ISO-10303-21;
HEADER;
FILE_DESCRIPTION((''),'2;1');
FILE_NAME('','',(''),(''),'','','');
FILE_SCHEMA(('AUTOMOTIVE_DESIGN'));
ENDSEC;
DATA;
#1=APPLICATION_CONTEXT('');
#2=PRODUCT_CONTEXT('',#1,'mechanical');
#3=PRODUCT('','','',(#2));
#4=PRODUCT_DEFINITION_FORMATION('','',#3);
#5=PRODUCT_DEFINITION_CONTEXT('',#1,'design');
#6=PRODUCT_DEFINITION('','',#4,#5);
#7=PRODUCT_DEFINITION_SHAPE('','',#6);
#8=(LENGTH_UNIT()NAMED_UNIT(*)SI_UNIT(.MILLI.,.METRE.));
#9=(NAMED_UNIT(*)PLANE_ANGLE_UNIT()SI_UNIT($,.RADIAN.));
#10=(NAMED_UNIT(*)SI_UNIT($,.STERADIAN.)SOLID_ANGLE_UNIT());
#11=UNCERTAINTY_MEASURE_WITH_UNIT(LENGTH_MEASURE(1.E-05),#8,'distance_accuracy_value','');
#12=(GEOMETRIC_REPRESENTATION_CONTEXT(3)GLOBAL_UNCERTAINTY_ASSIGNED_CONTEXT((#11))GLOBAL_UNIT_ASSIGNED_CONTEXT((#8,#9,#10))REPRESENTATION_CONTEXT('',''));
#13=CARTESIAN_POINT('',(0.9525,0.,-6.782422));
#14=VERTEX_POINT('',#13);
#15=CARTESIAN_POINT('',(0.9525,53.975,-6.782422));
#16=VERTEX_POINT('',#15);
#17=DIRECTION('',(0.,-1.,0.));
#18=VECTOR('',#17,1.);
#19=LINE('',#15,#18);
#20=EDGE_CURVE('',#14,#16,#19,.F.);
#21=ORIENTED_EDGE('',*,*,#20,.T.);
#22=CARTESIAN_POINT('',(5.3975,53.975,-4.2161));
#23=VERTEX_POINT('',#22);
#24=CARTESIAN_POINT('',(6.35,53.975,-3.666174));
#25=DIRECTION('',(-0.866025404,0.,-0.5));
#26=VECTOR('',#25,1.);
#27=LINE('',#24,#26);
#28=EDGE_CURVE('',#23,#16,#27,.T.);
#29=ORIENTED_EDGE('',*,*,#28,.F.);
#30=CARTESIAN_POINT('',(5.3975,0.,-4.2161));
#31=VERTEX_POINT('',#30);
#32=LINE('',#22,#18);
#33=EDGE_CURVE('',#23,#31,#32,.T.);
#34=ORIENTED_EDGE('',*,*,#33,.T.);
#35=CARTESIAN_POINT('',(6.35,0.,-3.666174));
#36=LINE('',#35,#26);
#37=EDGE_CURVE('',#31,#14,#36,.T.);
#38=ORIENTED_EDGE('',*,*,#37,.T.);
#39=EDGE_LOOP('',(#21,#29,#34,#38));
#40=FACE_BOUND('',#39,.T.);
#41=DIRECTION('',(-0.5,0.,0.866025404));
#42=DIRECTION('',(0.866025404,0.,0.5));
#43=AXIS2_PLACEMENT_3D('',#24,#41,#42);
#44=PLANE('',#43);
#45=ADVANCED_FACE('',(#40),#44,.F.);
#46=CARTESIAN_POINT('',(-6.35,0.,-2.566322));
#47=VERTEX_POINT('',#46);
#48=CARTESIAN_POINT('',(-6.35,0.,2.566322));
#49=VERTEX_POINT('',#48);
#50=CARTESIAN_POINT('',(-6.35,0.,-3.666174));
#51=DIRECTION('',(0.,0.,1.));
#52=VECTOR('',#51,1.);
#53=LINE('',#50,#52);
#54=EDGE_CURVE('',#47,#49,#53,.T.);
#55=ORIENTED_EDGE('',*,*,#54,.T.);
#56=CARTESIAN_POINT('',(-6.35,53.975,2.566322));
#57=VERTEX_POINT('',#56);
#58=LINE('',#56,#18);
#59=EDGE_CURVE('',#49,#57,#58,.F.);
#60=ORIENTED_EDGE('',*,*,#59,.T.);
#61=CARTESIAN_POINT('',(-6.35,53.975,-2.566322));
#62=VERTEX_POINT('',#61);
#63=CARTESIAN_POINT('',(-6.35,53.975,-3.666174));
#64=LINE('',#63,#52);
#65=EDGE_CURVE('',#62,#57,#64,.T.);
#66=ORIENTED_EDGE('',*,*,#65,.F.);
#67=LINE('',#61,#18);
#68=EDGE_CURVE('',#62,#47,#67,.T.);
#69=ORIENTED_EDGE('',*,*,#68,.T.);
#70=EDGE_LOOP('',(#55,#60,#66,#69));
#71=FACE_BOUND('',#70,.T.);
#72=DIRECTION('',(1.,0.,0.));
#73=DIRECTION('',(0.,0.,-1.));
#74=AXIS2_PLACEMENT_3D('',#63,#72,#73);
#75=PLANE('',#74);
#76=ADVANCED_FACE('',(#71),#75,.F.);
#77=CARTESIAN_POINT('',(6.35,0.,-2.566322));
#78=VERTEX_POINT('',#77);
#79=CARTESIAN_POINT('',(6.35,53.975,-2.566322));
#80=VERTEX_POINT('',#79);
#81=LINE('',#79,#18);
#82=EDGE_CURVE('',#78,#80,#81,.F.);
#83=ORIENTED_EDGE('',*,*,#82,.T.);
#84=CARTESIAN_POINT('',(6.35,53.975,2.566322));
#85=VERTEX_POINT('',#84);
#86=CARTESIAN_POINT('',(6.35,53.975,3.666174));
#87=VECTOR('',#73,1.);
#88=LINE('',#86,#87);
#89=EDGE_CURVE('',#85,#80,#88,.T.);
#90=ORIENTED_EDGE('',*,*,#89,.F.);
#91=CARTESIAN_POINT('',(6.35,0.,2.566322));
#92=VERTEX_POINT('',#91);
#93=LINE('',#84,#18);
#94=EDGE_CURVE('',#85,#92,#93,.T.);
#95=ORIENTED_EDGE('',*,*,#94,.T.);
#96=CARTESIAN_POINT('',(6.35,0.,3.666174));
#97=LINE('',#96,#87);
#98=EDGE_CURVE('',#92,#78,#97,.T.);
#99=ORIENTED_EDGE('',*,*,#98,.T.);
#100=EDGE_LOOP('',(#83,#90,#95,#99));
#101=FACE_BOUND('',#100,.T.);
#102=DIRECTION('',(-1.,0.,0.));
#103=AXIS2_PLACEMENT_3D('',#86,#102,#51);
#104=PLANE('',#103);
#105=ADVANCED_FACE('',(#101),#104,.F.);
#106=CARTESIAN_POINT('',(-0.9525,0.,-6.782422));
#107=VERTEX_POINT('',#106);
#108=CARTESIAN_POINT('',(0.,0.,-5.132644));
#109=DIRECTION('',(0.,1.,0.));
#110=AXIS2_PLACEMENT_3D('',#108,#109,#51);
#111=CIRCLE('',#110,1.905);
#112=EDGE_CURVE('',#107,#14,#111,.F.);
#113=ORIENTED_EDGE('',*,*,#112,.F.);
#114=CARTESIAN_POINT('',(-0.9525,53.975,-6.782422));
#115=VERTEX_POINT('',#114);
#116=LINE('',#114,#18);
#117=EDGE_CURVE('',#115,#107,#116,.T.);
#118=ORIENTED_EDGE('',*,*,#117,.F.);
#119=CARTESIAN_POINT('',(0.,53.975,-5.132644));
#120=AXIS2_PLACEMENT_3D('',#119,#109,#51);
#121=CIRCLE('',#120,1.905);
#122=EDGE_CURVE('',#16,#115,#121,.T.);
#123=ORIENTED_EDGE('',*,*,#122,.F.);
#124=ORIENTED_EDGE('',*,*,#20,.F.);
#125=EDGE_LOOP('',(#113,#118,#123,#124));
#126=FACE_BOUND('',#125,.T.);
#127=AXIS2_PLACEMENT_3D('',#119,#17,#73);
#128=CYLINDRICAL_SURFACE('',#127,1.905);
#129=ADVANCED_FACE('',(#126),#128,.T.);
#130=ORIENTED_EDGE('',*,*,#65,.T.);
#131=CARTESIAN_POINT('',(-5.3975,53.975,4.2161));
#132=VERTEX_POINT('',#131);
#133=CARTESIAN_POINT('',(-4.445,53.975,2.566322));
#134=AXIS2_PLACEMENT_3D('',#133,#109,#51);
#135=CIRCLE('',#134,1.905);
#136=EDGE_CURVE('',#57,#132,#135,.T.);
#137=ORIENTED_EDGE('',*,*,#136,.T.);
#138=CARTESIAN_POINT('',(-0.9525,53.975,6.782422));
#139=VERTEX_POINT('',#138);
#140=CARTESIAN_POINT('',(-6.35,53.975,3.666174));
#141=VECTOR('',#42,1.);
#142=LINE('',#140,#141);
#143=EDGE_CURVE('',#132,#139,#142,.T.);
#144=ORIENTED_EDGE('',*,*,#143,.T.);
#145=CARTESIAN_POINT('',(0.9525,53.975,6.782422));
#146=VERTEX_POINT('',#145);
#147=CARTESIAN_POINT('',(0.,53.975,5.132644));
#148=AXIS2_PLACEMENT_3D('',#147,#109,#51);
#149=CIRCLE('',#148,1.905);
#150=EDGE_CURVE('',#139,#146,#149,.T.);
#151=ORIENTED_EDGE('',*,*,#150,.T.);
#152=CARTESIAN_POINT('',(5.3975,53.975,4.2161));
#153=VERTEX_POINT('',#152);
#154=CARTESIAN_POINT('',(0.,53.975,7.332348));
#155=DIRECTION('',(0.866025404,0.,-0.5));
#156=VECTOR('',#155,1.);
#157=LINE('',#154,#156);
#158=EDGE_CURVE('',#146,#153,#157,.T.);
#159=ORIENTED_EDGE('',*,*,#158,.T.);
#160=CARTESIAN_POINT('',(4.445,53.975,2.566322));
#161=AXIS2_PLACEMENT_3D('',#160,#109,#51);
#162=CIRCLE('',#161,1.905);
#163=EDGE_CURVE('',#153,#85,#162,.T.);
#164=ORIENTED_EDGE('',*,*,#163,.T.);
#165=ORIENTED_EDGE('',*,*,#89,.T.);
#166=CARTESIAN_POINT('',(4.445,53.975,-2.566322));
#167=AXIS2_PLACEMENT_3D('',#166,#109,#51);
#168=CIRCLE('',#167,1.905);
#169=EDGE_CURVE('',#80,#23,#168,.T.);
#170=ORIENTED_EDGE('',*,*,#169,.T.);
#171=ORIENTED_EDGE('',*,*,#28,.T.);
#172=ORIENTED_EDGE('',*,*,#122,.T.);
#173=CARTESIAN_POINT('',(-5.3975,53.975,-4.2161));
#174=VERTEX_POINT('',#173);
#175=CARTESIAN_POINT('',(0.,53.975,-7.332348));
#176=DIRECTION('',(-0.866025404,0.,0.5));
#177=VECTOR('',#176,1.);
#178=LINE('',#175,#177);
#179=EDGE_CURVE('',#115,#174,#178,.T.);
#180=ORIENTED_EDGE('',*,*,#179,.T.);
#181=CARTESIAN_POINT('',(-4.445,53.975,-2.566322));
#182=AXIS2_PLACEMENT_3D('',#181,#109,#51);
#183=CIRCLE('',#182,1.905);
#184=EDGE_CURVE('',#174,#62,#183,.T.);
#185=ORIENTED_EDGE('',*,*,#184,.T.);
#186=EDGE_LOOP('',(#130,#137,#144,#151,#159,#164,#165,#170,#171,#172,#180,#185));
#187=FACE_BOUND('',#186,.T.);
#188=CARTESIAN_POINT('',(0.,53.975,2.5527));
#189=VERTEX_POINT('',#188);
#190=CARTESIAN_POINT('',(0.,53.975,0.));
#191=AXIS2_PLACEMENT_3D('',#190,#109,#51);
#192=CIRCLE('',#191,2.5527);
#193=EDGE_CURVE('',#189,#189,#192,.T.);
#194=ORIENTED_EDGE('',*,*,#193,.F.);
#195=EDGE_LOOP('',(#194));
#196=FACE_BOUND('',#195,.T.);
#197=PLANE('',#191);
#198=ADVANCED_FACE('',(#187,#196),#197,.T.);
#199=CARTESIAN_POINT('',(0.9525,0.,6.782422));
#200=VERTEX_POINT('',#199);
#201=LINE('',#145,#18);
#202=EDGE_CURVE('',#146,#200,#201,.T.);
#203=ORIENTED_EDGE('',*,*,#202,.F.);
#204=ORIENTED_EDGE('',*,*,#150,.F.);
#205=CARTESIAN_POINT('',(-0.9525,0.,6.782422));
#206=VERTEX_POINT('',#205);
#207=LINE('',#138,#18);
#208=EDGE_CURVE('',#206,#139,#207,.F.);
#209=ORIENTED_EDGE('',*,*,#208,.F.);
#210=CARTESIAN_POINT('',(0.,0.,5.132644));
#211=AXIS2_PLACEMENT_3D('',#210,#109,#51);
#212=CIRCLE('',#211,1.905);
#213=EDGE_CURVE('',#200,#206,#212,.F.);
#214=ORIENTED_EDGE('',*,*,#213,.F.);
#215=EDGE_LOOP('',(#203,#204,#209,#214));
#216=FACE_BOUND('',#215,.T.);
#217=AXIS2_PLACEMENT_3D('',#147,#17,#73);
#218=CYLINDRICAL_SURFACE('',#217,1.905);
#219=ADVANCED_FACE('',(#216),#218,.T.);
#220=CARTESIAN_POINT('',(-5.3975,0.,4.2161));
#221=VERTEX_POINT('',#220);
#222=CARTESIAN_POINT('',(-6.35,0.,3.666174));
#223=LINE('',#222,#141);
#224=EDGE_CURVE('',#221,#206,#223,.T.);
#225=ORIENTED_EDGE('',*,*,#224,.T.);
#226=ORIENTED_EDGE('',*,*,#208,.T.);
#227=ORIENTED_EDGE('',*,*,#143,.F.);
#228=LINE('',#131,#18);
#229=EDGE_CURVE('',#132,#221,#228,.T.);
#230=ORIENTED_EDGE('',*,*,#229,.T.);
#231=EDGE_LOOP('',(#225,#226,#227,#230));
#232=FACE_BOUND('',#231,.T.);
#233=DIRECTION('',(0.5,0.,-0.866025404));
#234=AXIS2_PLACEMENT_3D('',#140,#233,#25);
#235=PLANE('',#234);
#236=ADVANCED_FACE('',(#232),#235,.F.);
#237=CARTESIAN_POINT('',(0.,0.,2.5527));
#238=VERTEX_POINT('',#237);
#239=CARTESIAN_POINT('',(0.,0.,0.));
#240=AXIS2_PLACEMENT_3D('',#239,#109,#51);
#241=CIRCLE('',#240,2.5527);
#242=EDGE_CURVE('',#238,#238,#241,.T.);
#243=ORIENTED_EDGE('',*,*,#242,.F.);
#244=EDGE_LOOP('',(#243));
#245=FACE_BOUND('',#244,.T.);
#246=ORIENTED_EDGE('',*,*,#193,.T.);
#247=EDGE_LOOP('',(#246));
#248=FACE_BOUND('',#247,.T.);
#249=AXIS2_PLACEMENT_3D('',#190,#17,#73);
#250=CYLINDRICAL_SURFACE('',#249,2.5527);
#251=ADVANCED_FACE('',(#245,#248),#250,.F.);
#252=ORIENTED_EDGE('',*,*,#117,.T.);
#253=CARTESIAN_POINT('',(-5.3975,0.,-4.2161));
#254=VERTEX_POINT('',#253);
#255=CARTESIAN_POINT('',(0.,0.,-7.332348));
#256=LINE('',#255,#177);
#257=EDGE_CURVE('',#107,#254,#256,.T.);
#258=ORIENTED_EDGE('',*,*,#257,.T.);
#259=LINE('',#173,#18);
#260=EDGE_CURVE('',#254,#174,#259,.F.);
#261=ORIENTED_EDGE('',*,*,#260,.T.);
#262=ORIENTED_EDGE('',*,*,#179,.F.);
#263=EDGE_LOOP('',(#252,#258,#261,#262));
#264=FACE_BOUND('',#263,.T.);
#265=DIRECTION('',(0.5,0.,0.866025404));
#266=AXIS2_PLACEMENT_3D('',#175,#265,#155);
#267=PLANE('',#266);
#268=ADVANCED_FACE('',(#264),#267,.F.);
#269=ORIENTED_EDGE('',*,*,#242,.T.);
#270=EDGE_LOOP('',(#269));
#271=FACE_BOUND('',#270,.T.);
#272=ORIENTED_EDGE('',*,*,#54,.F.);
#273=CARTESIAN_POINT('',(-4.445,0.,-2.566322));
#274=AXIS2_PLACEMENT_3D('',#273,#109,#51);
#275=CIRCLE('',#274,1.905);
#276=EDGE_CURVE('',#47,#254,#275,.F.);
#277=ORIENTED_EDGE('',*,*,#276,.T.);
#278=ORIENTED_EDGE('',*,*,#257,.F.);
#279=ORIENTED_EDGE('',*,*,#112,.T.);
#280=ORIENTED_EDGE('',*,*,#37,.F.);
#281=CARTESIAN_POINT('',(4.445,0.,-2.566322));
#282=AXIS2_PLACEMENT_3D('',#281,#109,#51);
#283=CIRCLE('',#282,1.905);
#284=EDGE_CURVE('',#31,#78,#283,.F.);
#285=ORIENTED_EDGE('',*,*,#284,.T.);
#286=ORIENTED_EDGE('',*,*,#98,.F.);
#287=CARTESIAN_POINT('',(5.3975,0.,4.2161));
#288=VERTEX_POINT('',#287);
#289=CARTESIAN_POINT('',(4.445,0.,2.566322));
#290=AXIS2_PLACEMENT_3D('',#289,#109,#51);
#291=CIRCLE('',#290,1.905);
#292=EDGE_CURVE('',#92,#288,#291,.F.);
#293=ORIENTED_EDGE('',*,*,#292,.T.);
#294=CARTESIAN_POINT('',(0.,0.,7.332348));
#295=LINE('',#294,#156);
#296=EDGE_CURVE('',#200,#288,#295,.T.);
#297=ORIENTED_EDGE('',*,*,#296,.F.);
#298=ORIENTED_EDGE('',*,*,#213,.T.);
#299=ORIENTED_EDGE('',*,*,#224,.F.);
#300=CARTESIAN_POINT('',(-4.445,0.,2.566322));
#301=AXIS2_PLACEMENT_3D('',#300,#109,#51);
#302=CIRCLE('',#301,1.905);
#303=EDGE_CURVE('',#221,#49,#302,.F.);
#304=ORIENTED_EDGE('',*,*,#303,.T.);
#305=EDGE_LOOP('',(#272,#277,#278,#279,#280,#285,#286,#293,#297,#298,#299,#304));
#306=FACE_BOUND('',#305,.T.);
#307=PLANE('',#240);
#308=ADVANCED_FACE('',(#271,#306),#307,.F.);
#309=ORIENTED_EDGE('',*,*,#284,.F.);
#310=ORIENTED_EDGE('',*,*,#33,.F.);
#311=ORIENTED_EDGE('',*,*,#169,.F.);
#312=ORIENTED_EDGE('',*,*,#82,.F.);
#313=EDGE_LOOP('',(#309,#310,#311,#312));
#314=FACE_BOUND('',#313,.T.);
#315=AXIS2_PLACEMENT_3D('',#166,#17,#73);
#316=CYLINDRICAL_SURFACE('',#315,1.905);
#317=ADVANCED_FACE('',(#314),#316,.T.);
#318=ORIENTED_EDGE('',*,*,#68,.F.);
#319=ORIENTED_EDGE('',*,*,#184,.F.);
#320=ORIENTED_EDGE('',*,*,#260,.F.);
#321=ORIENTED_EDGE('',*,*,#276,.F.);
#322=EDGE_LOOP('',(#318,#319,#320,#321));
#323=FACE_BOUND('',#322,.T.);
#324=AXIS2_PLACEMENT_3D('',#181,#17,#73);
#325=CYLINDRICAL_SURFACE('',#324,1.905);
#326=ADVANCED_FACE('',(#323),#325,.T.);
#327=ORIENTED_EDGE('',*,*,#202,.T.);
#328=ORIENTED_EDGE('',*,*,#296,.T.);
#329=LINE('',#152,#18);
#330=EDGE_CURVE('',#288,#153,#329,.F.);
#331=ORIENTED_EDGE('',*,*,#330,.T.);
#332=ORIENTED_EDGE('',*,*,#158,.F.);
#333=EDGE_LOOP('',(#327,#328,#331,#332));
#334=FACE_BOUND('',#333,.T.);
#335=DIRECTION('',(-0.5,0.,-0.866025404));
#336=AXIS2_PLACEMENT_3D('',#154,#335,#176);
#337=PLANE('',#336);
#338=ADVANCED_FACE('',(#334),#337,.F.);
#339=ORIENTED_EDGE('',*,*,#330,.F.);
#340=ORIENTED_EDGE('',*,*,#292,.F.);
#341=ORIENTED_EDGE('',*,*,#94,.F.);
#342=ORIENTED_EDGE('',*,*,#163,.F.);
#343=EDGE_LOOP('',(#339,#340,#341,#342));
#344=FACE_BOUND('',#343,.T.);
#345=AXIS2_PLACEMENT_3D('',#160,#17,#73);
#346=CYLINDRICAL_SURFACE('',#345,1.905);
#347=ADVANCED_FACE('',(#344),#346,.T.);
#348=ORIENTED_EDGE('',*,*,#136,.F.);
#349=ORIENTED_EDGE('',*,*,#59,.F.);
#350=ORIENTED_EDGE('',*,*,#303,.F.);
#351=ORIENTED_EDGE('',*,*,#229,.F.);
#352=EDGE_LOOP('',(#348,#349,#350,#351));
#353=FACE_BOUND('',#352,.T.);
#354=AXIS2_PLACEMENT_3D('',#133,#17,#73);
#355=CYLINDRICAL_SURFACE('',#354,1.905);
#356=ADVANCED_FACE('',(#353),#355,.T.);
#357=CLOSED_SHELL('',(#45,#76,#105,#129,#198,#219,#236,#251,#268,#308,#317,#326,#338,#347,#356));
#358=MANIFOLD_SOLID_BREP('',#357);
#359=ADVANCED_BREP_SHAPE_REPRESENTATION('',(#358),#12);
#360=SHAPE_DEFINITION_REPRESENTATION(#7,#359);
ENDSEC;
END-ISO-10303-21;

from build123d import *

# Parameters (mm, degrees)
SKETCH1_R           = 2.5527
BOSS_EXTRUDE1_DEPTH = 53.975
FILLET1_R           = 1.905


with BuildPart() as part:
    # Sketch1 → Boss-Extrude1 (new body)
    with BuildSketch(Plane(origin=(0, 0, 0), x_dir=(1, 0, 0), z_dir=(0, 1, 0))):
        Polygon((0, 7.332348419), (-6.35, 3.666174209), (-6.35, -3.666174209), (0, -7.332348419), (6.35, -3.666174209), (6.35, 3.666174209), align=None)
        with Locations(Location((0, 0, 0), (0, 0, 270))):
            Circle(SKETCH1_R, mode=Mode.SUBTRACT)
    extrude(amount=BOSS_EXTRUDE1_DEPTH)

    # Fillet1
    fillet1_edges = [part.edges().sort_by_distance(p)[0] for p in [
        (6.35, 26.9875, -3.666174209),
        (6.35, 26.9875, 3.666174209),
        (0, 26.9875, 7.332348419),
        (-6.35, 26.9875, 3.666174209),
        (-6.35, 26.9875, -3.666174209),
        (0, 26.9875, -7.332348419),
    ]]
    fillet(fillet1_edges, radius=FILLET1_R)


solid = part.part
